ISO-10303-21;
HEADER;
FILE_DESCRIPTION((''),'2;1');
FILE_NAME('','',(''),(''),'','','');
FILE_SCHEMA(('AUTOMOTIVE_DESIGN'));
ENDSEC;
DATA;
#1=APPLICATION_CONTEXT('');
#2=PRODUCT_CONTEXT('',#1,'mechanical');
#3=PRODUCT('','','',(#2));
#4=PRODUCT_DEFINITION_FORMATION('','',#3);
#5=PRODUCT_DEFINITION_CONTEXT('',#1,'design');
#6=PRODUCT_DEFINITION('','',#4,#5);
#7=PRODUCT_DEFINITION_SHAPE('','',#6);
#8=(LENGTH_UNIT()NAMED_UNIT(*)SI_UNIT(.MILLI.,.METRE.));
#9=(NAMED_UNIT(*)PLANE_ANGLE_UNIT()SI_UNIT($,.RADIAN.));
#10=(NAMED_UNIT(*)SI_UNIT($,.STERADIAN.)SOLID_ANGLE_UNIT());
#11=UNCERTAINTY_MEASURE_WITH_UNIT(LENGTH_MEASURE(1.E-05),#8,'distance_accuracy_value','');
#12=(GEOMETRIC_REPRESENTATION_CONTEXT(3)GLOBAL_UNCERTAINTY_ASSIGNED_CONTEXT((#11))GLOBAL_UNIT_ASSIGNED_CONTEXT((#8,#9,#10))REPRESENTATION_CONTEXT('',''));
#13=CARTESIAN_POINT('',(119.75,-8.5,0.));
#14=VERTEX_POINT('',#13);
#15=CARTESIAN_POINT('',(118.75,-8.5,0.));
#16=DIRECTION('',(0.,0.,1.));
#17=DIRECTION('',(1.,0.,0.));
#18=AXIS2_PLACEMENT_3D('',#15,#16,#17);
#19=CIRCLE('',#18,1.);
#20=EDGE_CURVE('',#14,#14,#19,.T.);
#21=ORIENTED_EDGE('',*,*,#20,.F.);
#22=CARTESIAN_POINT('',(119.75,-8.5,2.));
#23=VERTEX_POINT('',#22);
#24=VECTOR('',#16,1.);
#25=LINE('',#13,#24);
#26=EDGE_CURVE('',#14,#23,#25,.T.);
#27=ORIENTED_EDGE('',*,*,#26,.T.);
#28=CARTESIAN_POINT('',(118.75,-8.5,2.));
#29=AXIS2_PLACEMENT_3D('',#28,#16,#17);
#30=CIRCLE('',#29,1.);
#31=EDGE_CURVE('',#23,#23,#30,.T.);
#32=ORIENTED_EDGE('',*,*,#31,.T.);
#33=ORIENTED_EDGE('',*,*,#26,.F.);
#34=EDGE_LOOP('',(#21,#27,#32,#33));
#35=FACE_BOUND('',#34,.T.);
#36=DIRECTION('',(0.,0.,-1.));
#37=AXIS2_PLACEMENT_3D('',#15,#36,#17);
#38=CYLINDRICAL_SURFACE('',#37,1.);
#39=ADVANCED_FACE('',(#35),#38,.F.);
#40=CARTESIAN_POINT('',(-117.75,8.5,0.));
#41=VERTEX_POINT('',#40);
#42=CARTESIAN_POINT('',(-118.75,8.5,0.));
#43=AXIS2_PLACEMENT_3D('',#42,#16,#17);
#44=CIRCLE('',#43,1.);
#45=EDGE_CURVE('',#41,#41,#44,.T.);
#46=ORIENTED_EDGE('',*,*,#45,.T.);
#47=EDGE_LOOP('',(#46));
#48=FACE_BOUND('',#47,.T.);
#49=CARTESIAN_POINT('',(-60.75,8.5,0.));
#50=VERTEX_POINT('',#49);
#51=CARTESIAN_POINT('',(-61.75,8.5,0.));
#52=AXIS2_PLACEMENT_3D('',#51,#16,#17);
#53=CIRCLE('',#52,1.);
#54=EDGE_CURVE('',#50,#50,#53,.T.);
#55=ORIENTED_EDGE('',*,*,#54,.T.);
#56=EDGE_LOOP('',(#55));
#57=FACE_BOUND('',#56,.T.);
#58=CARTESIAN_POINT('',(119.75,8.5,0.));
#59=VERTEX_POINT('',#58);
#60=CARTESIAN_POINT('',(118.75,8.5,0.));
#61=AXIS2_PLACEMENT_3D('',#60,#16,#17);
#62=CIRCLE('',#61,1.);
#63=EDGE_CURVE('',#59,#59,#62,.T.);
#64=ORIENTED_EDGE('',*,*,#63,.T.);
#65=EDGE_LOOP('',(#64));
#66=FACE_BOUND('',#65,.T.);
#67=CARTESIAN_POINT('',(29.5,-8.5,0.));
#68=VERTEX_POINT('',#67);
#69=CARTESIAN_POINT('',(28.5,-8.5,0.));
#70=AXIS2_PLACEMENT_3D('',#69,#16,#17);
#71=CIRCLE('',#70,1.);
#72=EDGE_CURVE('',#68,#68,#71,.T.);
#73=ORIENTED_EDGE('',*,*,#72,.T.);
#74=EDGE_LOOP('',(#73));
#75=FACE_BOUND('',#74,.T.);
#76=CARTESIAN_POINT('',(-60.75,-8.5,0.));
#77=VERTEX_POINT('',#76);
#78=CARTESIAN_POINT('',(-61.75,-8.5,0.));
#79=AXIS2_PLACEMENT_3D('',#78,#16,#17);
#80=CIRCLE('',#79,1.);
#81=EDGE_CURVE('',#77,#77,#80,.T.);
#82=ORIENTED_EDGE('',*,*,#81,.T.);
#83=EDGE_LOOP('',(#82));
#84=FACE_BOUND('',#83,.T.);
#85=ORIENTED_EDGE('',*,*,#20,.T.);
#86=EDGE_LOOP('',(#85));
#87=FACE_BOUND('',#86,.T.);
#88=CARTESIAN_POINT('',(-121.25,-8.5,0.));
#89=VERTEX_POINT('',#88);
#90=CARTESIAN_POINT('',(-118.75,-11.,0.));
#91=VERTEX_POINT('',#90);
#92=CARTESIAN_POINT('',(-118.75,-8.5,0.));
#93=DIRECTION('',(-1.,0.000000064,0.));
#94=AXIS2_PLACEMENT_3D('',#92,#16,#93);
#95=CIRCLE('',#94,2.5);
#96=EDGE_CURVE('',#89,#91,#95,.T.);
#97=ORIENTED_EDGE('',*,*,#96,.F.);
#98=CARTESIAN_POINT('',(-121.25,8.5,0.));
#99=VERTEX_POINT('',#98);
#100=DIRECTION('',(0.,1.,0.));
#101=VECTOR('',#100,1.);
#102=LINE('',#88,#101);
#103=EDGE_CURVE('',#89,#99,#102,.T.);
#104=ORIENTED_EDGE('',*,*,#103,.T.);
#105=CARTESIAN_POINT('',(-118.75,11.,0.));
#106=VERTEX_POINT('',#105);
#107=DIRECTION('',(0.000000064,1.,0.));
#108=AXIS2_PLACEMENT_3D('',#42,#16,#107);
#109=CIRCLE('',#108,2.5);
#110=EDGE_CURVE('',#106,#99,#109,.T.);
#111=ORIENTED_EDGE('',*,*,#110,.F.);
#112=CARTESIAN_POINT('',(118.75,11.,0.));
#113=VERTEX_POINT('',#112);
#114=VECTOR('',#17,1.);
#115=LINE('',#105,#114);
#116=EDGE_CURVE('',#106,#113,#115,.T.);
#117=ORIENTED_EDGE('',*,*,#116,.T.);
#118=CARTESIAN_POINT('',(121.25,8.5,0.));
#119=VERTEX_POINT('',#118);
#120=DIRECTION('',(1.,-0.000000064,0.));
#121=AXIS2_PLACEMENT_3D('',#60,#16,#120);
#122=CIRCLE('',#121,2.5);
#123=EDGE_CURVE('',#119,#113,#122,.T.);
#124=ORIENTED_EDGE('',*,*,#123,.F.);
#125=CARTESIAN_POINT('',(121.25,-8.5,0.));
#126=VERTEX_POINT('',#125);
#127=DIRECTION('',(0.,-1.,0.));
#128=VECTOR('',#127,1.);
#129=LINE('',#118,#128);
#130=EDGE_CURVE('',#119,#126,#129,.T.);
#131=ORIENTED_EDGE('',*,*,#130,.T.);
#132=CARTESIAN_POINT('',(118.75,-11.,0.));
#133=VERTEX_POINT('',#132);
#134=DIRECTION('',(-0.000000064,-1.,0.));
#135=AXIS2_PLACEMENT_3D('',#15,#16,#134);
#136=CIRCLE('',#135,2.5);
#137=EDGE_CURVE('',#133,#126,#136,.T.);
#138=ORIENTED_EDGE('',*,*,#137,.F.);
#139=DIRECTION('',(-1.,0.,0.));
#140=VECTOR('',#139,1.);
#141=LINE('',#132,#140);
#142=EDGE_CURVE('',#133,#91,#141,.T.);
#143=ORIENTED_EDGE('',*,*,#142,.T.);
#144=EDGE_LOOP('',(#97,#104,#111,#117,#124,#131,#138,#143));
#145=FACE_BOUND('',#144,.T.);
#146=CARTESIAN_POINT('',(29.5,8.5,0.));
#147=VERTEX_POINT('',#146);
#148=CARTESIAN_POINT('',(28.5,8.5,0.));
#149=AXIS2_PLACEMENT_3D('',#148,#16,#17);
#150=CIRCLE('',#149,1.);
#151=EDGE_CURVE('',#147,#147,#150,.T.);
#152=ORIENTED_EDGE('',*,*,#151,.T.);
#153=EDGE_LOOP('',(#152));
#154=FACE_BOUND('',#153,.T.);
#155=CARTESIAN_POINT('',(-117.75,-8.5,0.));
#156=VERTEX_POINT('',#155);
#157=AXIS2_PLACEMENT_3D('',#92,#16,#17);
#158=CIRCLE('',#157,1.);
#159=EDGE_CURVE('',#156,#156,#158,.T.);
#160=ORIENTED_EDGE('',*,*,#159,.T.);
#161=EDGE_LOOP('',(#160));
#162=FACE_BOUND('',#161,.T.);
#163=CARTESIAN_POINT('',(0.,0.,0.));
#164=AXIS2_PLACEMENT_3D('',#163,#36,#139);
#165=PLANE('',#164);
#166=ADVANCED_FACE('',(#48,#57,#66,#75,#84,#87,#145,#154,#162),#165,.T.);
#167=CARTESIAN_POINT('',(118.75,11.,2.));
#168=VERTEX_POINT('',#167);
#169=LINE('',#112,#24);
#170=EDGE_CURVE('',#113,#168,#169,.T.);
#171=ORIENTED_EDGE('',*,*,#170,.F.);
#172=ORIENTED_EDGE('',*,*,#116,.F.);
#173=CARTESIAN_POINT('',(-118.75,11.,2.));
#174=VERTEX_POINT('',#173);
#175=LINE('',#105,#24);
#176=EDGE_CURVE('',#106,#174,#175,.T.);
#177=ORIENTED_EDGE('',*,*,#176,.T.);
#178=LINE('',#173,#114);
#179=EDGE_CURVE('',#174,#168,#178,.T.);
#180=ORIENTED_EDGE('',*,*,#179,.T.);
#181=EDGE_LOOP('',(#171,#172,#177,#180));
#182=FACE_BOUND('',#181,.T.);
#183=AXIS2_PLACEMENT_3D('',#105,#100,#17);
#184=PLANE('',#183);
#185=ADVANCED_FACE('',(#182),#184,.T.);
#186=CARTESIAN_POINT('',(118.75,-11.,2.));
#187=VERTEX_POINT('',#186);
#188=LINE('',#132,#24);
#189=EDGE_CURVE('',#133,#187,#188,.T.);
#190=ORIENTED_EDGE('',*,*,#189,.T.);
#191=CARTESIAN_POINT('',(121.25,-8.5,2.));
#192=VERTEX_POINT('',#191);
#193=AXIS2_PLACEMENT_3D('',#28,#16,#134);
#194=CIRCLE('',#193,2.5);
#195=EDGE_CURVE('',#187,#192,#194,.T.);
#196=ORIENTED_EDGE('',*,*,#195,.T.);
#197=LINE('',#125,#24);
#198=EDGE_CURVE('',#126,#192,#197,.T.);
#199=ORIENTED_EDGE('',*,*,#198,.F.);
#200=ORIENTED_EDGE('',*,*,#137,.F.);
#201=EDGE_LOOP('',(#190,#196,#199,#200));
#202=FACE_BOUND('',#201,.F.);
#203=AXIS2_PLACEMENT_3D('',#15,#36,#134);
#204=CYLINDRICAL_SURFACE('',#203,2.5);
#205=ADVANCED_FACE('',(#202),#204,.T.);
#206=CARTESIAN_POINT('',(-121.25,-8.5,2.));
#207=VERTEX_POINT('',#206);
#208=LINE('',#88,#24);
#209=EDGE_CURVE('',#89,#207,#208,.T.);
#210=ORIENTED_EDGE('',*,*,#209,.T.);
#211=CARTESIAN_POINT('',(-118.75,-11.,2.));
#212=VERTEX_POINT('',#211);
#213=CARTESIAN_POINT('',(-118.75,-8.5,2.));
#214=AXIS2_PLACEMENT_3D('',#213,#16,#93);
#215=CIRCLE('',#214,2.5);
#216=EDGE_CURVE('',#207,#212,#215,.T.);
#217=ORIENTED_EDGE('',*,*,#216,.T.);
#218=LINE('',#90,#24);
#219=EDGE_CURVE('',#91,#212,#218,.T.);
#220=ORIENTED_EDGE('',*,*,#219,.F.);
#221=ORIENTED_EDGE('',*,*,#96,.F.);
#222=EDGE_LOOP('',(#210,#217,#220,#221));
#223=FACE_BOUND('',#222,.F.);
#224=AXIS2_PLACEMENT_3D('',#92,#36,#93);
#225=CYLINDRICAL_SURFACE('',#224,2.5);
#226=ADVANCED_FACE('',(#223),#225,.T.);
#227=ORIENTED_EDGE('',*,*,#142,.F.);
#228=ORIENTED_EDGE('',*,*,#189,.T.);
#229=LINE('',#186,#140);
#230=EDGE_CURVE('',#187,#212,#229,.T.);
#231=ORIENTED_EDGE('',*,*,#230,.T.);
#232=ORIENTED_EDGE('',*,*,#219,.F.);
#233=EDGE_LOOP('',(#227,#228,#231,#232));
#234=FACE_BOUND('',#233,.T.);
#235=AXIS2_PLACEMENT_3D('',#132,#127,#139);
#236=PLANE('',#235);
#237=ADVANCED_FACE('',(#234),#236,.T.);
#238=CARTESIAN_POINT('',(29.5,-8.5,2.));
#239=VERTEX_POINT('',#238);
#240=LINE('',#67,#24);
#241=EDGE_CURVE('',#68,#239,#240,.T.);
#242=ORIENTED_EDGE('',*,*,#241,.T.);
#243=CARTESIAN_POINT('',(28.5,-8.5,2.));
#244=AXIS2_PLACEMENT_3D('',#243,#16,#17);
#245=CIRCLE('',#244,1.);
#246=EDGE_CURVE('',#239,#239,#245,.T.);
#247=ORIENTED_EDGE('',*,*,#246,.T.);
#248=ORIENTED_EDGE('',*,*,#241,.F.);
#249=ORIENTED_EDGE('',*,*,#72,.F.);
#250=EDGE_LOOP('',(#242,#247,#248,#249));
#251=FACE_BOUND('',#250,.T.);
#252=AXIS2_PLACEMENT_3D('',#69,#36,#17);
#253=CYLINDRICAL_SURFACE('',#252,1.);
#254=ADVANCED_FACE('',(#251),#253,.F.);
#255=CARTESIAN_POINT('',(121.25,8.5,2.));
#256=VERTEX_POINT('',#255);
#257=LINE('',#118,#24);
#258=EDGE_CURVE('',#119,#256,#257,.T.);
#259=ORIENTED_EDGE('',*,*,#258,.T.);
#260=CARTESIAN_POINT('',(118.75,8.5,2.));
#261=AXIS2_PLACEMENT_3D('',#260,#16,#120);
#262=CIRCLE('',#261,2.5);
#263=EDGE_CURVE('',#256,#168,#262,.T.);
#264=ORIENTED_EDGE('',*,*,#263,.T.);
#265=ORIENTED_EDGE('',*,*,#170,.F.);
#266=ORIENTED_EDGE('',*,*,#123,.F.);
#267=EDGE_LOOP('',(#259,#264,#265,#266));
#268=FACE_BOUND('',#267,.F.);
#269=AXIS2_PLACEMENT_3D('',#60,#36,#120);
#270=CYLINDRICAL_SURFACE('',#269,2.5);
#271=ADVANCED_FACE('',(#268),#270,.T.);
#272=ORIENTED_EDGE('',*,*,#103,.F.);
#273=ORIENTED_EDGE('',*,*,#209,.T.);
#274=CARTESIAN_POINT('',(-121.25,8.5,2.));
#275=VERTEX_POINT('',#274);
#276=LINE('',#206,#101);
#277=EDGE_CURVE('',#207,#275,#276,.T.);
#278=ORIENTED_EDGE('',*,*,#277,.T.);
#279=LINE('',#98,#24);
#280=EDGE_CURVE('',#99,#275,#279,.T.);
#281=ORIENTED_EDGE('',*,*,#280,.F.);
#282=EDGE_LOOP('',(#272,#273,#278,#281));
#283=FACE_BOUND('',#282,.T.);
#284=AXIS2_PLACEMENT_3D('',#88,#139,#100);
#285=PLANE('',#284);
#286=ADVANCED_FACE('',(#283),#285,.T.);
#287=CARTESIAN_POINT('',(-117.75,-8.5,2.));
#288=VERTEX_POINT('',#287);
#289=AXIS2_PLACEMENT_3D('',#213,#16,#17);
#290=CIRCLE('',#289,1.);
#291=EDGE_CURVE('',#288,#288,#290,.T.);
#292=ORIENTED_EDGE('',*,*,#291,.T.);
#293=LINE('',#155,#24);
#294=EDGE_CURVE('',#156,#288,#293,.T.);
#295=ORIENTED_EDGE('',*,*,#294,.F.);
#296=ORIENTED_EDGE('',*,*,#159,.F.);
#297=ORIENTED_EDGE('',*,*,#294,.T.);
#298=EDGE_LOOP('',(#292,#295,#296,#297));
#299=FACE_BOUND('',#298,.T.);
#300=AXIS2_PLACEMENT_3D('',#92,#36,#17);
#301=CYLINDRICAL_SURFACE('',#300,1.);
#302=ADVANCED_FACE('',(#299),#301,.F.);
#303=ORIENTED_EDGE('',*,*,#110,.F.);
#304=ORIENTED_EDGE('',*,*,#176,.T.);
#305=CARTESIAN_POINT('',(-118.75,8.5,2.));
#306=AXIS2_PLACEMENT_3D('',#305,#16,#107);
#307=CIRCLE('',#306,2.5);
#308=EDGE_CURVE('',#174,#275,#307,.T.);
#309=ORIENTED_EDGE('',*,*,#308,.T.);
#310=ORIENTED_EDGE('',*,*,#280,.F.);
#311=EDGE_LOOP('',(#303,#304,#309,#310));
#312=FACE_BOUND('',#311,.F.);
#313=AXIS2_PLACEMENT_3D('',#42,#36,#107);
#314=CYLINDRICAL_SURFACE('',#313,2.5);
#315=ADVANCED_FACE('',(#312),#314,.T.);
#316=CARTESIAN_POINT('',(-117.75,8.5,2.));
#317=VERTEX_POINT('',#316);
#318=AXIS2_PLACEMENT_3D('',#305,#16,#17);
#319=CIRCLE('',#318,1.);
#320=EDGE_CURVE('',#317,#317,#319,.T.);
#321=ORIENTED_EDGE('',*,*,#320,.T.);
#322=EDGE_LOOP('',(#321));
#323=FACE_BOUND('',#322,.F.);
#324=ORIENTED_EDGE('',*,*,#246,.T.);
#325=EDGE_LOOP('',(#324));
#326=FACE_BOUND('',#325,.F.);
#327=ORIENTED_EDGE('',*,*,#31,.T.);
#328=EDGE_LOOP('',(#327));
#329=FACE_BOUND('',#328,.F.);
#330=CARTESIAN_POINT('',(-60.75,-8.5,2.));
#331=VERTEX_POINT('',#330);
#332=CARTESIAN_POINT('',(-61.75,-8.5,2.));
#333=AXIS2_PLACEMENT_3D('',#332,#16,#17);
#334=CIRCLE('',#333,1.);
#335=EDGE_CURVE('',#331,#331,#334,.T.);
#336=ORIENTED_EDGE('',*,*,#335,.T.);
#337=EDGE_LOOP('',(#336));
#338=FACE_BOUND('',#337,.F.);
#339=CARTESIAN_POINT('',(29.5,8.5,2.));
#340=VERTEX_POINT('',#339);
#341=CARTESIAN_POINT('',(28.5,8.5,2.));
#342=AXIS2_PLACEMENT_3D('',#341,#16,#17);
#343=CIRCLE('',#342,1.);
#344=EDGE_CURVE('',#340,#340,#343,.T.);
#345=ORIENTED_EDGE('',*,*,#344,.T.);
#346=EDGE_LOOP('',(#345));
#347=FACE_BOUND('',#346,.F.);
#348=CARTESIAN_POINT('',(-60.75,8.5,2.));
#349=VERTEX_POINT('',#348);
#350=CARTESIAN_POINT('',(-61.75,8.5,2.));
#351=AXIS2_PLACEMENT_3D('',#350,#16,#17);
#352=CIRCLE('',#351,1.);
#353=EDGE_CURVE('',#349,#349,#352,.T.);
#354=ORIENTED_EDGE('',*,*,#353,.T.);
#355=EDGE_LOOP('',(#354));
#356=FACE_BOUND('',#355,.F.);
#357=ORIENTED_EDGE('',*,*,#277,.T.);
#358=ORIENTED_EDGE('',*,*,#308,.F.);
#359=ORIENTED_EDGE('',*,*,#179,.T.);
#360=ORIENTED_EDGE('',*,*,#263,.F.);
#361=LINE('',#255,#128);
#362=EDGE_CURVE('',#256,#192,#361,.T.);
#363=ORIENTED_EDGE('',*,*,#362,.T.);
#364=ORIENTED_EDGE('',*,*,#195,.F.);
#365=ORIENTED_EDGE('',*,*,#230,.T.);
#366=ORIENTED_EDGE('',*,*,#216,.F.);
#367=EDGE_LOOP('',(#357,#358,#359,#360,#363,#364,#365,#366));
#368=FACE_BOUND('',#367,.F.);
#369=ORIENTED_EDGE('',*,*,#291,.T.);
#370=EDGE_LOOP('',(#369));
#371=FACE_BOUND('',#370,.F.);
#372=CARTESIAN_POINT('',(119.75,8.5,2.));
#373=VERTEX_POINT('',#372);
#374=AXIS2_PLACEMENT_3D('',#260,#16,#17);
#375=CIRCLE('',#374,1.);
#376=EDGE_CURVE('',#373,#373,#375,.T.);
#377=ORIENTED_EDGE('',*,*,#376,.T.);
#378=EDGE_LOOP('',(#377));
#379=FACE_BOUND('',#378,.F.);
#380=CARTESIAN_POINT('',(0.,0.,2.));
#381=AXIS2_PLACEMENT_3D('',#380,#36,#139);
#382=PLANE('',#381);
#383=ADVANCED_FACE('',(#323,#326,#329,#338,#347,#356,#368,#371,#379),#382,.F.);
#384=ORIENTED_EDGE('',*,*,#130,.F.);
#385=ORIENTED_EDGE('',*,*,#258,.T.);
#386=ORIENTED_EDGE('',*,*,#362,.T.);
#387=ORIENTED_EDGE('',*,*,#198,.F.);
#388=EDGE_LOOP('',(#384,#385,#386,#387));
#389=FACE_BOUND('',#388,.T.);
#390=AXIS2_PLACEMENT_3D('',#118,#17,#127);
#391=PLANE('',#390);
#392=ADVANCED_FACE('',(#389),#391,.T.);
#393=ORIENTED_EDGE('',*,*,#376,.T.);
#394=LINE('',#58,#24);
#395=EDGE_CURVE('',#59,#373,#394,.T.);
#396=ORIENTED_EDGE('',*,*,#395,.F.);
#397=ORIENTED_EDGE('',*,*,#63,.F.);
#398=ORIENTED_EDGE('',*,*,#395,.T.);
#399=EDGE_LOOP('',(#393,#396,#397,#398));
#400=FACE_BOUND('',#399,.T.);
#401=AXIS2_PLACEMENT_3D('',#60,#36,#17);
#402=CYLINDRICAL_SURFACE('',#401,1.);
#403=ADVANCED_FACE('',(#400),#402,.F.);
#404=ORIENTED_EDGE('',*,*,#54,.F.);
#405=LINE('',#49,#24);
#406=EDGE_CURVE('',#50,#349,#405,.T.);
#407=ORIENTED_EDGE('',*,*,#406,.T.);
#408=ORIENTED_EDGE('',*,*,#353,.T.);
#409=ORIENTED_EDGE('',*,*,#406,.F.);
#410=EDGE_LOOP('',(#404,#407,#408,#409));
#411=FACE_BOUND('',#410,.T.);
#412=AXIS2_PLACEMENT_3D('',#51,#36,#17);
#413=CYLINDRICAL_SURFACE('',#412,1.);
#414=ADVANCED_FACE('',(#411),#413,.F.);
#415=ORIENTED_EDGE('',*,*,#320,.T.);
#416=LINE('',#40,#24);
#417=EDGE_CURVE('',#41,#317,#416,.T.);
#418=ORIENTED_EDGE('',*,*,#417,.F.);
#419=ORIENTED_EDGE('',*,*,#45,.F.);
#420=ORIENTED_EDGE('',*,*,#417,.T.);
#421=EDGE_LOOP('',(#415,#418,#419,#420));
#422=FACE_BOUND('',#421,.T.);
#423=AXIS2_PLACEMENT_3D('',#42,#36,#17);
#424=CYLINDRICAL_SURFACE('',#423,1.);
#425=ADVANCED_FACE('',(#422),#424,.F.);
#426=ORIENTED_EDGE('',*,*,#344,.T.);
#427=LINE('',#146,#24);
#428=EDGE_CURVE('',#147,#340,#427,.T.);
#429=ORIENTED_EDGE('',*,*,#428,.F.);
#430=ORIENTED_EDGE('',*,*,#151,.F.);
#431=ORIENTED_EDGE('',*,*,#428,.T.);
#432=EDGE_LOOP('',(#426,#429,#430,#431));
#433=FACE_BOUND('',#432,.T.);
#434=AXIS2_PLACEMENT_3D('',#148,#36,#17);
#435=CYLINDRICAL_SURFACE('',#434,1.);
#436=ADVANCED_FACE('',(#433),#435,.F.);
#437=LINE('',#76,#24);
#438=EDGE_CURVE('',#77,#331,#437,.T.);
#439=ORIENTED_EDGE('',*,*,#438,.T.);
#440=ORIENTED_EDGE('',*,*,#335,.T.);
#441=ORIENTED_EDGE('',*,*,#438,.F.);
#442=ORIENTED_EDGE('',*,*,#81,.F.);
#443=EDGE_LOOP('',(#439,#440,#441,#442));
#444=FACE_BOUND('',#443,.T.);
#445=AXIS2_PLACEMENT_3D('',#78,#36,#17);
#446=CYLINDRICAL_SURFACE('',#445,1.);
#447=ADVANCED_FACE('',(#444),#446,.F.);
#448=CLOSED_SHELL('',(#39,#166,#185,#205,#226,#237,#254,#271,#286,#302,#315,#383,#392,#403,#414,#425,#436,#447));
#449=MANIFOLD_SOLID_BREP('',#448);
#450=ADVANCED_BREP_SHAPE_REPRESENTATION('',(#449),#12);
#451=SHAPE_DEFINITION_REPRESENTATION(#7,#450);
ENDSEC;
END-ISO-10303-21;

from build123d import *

# Parameters (mm, degrees)
SKETCH001_R = 1
PAD_DEPTH   = 2


with BuildPart() as part:
    # Sketch001 → Pad (new body)
    with BuildSketch(Plane.XY):
        with BuildLine():
            Line((-121.25, -8.5), (-121.25, 8.5))
            ThreePointArc((-118.75, 11), (-120.517767, 10.267767), (-121.25, 8.5))
            Line((-118.75, 11), (118.75, 11))
            ThreePointArc((121.25, 8.5), (120.517767, 10.267767), (118.75, 11))
            Line((121.25, 8.5), (121.25, -8.5))
            ThreePointArc((118.75, -11), (120.517767, -10.267767), (121.25, -8.5))
            Line((118.75, -11), (-118.75, -11))
            ThreePointArc((-121.25, -8.5), (-120.517767, -10.267767), (-118.75, -11))
        make_face()
        with Locations((-118.75, 8.5)):
            Circle(SKETCH001_R, mode=Mode.SUBTRACT)
        with Locations((-61.75, 8.5)):
            Circle(SKETCH001_R, mode=Mode.SUBTRACT)
        with Locations((28.5, 8.5)):
            Circle(SKETCH001_R, mode=Mode.SUBTRACT)
        with Locations((118.75, 8.5)):
            Circle(SKETCH001_R, mode=Mode.SUBTRACT)
        with Locations((-118.75, -8.5)):
            Circle(SKETCH001_R, mode=Mode.SUBTRACT)
        with Locations((-61.75, -8.5)):
            Circle(SKETCH001_R, mode=Mode.SUBTRACT)
        with Locations((28.5, -8.5)):
            Circle(SKETCH001_R, mode=Mode.SUBTRACT)
        with Locations((118.75, -8.5)):
            Circle(SKETCH001_R, mode=Mode.SUBTRACT)
    extrude(amount=PAD_DEPTH)


solid = part.part
